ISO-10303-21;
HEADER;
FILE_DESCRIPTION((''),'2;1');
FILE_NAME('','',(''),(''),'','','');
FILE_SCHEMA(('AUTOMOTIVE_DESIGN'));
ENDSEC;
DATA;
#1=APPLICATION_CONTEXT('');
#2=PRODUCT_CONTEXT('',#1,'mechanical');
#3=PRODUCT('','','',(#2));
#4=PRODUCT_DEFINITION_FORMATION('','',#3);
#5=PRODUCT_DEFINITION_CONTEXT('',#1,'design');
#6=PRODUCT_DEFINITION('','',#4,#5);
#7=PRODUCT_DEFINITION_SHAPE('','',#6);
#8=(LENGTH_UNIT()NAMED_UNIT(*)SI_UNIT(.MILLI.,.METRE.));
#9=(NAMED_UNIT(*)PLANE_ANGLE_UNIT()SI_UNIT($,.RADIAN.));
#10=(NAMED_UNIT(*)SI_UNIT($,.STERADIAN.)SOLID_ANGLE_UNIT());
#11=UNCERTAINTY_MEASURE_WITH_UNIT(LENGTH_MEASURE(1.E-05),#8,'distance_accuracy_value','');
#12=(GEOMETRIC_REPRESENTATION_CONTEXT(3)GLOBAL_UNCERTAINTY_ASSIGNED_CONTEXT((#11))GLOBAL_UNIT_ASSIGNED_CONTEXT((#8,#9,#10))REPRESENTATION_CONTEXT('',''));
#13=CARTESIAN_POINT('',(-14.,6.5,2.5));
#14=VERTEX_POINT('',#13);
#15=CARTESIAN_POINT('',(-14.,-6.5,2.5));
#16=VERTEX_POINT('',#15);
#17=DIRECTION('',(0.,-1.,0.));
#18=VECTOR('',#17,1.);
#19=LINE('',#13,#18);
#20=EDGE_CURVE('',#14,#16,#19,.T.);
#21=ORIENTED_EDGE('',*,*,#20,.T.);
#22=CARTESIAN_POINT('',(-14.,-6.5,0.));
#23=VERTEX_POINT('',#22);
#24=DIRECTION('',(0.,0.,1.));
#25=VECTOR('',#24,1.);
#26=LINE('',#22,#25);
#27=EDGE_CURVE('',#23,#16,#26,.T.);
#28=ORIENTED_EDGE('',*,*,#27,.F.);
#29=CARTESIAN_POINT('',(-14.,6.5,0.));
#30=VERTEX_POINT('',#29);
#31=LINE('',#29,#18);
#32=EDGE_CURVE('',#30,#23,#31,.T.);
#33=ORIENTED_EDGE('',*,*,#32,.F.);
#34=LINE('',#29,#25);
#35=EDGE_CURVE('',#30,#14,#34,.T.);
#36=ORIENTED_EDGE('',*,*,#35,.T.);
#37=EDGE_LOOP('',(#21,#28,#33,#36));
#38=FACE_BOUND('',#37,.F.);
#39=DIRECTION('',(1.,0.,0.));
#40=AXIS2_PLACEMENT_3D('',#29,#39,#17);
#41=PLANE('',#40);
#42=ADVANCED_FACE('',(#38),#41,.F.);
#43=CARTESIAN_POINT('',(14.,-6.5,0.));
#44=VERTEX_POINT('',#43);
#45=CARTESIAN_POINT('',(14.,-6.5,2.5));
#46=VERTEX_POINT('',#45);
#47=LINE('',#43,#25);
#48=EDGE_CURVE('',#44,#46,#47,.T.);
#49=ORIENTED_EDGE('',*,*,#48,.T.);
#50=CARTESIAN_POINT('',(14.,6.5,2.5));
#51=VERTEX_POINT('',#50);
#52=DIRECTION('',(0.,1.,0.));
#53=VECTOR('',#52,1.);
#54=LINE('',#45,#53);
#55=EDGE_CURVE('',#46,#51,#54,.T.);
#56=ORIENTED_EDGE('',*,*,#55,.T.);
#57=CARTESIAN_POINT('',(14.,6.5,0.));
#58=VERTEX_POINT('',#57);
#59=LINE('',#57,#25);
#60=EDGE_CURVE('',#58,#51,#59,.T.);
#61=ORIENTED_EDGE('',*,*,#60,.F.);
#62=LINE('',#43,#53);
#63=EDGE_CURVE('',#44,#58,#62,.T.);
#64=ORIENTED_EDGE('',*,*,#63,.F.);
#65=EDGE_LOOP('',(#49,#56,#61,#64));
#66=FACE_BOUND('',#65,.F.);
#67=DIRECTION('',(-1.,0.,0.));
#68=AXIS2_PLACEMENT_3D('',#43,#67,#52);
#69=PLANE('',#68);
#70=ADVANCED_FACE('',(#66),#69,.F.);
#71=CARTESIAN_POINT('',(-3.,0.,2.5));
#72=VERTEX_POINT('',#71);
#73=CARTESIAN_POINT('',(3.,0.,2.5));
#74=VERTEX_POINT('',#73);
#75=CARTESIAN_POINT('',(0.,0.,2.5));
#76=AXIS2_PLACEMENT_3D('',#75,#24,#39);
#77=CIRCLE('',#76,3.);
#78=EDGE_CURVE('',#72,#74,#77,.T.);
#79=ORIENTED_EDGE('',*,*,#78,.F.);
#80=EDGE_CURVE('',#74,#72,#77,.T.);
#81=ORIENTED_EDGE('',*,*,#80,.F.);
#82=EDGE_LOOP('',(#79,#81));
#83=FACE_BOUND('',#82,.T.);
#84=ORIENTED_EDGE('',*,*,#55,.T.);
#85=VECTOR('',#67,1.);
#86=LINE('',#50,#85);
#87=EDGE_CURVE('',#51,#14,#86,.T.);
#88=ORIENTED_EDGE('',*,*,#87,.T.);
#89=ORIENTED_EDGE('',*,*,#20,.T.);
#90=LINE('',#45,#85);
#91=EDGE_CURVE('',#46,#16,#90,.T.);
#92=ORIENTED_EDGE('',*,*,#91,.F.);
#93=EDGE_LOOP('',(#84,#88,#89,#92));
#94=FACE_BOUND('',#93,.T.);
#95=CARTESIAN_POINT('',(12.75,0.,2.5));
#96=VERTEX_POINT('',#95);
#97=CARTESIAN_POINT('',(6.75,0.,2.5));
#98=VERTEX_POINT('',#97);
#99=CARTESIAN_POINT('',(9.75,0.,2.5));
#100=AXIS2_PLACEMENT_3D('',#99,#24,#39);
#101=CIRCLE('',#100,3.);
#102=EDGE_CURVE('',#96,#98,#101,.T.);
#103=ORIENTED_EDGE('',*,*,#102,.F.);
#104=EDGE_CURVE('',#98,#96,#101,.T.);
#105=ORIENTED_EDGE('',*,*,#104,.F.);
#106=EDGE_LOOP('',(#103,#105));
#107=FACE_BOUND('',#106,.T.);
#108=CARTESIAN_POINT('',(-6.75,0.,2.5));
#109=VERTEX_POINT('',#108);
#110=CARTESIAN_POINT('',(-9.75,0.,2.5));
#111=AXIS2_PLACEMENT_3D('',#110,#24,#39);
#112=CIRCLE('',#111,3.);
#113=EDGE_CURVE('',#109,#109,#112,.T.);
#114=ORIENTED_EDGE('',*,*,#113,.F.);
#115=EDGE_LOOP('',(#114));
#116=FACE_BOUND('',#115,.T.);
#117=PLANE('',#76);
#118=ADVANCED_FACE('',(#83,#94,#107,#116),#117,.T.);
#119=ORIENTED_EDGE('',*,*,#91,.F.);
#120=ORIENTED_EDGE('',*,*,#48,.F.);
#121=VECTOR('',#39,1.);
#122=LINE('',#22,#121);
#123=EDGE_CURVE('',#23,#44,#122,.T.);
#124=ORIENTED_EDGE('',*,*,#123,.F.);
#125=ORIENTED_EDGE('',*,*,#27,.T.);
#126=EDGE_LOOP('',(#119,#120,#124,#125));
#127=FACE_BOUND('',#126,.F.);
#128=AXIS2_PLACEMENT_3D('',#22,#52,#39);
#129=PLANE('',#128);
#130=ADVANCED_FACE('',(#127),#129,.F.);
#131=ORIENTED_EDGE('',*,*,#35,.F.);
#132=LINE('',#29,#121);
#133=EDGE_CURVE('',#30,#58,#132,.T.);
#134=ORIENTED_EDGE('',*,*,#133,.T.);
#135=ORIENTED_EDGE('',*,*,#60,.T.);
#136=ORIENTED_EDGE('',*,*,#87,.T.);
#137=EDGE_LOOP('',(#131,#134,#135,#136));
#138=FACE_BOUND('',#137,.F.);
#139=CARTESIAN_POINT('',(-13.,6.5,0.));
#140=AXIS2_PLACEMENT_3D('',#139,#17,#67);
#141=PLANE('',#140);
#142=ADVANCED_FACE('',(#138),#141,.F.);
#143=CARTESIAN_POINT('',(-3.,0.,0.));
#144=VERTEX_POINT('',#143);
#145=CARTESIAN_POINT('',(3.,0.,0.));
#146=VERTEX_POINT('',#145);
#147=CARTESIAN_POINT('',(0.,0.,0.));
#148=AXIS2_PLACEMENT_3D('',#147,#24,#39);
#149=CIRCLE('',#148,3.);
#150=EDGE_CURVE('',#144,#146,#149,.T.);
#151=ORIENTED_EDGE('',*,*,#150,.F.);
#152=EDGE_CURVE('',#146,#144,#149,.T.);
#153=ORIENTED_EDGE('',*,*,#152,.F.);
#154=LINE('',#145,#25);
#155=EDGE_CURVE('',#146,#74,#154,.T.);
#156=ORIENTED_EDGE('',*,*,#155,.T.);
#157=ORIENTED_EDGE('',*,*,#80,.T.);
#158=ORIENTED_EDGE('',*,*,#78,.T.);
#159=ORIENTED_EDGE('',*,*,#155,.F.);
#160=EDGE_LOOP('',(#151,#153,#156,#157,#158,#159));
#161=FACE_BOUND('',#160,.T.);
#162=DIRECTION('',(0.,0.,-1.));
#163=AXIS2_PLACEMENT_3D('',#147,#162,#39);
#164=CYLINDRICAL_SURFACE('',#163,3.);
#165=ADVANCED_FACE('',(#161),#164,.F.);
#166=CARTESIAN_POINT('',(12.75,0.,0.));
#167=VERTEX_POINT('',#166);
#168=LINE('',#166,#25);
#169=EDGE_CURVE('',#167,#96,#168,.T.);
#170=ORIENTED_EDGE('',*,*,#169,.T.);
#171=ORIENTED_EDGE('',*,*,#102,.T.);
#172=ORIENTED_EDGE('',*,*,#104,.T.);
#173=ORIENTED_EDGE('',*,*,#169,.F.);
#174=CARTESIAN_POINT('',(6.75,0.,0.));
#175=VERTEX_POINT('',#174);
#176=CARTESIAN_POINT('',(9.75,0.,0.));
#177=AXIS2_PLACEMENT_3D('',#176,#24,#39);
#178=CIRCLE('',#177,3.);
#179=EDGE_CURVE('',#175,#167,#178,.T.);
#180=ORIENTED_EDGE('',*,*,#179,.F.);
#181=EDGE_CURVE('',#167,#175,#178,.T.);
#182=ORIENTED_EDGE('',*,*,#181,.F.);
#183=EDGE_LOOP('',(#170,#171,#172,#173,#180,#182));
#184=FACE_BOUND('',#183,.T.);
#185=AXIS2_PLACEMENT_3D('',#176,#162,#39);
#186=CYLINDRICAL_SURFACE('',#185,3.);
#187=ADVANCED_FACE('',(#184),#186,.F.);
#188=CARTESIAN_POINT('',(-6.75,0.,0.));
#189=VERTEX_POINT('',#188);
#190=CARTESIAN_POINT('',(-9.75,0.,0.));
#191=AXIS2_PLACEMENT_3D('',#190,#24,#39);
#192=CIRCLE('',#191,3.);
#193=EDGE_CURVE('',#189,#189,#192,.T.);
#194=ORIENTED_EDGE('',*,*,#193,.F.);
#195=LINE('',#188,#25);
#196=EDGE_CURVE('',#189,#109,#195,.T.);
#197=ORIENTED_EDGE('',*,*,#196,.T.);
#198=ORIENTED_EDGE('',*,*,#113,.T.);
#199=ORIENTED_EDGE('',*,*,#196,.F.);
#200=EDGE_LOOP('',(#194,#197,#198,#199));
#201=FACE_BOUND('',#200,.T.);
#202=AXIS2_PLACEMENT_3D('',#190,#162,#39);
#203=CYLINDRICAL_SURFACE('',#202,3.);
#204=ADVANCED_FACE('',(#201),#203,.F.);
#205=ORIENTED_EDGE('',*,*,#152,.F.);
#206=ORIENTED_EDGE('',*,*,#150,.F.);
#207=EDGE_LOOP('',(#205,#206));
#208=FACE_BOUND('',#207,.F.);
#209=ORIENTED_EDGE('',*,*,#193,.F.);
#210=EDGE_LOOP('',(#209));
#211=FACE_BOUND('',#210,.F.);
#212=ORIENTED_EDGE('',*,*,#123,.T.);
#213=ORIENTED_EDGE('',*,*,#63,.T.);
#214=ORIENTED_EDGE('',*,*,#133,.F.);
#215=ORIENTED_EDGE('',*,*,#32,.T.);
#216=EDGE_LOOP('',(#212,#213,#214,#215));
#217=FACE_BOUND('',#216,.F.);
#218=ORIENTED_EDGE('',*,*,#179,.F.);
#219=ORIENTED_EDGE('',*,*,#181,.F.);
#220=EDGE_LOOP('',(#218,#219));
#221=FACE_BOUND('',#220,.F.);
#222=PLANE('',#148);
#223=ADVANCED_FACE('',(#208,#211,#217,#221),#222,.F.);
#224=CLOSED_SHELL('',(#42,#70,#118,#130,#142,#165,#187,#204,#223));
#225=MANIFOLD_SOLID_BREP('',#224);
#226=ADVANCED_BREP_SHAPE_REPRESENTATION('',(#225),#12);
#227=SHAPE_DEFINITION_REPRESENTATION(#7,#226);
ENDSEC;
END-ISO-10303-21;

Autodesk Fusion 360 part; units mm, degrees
sketch "Sketch1" plane through (0, 0, 0) normal (0, 0, 1) x (1, 0, 0) in component "Component"
  line L0 (-13, 0) -> (-13, 6.5)
  line L1 (-13, 0) -> (-13, -6.5)
  line L2 (-13, -6.5) -> (13, -6.5)
  line L3 (13, -6.5) -> (13, 6.5)
  line L4 (13, 6.5) -> (-13, 6.5)
  circle A0 centre (0, 0) radius 3
  line L5 (0, 0) -> (9.75, 0)
  line L6 (0, 0) -> (-9.75, 0)
  circle A1 centre (-9.75, 0) radius 3
  circle A2 centre (9.75, 0) radius 3
  line L7 (13, -6.5) -> (14, -6.5)
  line L8 (14, -6.5) -> (14, 6.5)
  line L9 (14, 6.5) -> (13, 6.5)
  line L10 (-13, 6.5) -> (-14, 6.5)
  line L11 (-14, 6.5) -> (-14, -6.5)
  line L12 (-14, -6.5) -> (-13, -6.5)
  dimension "d2" = 13
  dimension "d3" = 6.5
  dimension "d4" = 6.5
  dimension "d5" = 13
  dimension "d6" = 9.75
  dimension "d7" = 9.75
  dimension "d8" = 6
  dimension "d9" = 6
  dimension "d10" = 13
  dimension "d11" = 13
extrude "Extrude1" add sketch "Sketch1" along normal blind 2.5 in component "Component"
component "Component" placed x (1, 0, 0) y (0, 1, 0) z (0, 0, 1) at (0, 0, 0)
